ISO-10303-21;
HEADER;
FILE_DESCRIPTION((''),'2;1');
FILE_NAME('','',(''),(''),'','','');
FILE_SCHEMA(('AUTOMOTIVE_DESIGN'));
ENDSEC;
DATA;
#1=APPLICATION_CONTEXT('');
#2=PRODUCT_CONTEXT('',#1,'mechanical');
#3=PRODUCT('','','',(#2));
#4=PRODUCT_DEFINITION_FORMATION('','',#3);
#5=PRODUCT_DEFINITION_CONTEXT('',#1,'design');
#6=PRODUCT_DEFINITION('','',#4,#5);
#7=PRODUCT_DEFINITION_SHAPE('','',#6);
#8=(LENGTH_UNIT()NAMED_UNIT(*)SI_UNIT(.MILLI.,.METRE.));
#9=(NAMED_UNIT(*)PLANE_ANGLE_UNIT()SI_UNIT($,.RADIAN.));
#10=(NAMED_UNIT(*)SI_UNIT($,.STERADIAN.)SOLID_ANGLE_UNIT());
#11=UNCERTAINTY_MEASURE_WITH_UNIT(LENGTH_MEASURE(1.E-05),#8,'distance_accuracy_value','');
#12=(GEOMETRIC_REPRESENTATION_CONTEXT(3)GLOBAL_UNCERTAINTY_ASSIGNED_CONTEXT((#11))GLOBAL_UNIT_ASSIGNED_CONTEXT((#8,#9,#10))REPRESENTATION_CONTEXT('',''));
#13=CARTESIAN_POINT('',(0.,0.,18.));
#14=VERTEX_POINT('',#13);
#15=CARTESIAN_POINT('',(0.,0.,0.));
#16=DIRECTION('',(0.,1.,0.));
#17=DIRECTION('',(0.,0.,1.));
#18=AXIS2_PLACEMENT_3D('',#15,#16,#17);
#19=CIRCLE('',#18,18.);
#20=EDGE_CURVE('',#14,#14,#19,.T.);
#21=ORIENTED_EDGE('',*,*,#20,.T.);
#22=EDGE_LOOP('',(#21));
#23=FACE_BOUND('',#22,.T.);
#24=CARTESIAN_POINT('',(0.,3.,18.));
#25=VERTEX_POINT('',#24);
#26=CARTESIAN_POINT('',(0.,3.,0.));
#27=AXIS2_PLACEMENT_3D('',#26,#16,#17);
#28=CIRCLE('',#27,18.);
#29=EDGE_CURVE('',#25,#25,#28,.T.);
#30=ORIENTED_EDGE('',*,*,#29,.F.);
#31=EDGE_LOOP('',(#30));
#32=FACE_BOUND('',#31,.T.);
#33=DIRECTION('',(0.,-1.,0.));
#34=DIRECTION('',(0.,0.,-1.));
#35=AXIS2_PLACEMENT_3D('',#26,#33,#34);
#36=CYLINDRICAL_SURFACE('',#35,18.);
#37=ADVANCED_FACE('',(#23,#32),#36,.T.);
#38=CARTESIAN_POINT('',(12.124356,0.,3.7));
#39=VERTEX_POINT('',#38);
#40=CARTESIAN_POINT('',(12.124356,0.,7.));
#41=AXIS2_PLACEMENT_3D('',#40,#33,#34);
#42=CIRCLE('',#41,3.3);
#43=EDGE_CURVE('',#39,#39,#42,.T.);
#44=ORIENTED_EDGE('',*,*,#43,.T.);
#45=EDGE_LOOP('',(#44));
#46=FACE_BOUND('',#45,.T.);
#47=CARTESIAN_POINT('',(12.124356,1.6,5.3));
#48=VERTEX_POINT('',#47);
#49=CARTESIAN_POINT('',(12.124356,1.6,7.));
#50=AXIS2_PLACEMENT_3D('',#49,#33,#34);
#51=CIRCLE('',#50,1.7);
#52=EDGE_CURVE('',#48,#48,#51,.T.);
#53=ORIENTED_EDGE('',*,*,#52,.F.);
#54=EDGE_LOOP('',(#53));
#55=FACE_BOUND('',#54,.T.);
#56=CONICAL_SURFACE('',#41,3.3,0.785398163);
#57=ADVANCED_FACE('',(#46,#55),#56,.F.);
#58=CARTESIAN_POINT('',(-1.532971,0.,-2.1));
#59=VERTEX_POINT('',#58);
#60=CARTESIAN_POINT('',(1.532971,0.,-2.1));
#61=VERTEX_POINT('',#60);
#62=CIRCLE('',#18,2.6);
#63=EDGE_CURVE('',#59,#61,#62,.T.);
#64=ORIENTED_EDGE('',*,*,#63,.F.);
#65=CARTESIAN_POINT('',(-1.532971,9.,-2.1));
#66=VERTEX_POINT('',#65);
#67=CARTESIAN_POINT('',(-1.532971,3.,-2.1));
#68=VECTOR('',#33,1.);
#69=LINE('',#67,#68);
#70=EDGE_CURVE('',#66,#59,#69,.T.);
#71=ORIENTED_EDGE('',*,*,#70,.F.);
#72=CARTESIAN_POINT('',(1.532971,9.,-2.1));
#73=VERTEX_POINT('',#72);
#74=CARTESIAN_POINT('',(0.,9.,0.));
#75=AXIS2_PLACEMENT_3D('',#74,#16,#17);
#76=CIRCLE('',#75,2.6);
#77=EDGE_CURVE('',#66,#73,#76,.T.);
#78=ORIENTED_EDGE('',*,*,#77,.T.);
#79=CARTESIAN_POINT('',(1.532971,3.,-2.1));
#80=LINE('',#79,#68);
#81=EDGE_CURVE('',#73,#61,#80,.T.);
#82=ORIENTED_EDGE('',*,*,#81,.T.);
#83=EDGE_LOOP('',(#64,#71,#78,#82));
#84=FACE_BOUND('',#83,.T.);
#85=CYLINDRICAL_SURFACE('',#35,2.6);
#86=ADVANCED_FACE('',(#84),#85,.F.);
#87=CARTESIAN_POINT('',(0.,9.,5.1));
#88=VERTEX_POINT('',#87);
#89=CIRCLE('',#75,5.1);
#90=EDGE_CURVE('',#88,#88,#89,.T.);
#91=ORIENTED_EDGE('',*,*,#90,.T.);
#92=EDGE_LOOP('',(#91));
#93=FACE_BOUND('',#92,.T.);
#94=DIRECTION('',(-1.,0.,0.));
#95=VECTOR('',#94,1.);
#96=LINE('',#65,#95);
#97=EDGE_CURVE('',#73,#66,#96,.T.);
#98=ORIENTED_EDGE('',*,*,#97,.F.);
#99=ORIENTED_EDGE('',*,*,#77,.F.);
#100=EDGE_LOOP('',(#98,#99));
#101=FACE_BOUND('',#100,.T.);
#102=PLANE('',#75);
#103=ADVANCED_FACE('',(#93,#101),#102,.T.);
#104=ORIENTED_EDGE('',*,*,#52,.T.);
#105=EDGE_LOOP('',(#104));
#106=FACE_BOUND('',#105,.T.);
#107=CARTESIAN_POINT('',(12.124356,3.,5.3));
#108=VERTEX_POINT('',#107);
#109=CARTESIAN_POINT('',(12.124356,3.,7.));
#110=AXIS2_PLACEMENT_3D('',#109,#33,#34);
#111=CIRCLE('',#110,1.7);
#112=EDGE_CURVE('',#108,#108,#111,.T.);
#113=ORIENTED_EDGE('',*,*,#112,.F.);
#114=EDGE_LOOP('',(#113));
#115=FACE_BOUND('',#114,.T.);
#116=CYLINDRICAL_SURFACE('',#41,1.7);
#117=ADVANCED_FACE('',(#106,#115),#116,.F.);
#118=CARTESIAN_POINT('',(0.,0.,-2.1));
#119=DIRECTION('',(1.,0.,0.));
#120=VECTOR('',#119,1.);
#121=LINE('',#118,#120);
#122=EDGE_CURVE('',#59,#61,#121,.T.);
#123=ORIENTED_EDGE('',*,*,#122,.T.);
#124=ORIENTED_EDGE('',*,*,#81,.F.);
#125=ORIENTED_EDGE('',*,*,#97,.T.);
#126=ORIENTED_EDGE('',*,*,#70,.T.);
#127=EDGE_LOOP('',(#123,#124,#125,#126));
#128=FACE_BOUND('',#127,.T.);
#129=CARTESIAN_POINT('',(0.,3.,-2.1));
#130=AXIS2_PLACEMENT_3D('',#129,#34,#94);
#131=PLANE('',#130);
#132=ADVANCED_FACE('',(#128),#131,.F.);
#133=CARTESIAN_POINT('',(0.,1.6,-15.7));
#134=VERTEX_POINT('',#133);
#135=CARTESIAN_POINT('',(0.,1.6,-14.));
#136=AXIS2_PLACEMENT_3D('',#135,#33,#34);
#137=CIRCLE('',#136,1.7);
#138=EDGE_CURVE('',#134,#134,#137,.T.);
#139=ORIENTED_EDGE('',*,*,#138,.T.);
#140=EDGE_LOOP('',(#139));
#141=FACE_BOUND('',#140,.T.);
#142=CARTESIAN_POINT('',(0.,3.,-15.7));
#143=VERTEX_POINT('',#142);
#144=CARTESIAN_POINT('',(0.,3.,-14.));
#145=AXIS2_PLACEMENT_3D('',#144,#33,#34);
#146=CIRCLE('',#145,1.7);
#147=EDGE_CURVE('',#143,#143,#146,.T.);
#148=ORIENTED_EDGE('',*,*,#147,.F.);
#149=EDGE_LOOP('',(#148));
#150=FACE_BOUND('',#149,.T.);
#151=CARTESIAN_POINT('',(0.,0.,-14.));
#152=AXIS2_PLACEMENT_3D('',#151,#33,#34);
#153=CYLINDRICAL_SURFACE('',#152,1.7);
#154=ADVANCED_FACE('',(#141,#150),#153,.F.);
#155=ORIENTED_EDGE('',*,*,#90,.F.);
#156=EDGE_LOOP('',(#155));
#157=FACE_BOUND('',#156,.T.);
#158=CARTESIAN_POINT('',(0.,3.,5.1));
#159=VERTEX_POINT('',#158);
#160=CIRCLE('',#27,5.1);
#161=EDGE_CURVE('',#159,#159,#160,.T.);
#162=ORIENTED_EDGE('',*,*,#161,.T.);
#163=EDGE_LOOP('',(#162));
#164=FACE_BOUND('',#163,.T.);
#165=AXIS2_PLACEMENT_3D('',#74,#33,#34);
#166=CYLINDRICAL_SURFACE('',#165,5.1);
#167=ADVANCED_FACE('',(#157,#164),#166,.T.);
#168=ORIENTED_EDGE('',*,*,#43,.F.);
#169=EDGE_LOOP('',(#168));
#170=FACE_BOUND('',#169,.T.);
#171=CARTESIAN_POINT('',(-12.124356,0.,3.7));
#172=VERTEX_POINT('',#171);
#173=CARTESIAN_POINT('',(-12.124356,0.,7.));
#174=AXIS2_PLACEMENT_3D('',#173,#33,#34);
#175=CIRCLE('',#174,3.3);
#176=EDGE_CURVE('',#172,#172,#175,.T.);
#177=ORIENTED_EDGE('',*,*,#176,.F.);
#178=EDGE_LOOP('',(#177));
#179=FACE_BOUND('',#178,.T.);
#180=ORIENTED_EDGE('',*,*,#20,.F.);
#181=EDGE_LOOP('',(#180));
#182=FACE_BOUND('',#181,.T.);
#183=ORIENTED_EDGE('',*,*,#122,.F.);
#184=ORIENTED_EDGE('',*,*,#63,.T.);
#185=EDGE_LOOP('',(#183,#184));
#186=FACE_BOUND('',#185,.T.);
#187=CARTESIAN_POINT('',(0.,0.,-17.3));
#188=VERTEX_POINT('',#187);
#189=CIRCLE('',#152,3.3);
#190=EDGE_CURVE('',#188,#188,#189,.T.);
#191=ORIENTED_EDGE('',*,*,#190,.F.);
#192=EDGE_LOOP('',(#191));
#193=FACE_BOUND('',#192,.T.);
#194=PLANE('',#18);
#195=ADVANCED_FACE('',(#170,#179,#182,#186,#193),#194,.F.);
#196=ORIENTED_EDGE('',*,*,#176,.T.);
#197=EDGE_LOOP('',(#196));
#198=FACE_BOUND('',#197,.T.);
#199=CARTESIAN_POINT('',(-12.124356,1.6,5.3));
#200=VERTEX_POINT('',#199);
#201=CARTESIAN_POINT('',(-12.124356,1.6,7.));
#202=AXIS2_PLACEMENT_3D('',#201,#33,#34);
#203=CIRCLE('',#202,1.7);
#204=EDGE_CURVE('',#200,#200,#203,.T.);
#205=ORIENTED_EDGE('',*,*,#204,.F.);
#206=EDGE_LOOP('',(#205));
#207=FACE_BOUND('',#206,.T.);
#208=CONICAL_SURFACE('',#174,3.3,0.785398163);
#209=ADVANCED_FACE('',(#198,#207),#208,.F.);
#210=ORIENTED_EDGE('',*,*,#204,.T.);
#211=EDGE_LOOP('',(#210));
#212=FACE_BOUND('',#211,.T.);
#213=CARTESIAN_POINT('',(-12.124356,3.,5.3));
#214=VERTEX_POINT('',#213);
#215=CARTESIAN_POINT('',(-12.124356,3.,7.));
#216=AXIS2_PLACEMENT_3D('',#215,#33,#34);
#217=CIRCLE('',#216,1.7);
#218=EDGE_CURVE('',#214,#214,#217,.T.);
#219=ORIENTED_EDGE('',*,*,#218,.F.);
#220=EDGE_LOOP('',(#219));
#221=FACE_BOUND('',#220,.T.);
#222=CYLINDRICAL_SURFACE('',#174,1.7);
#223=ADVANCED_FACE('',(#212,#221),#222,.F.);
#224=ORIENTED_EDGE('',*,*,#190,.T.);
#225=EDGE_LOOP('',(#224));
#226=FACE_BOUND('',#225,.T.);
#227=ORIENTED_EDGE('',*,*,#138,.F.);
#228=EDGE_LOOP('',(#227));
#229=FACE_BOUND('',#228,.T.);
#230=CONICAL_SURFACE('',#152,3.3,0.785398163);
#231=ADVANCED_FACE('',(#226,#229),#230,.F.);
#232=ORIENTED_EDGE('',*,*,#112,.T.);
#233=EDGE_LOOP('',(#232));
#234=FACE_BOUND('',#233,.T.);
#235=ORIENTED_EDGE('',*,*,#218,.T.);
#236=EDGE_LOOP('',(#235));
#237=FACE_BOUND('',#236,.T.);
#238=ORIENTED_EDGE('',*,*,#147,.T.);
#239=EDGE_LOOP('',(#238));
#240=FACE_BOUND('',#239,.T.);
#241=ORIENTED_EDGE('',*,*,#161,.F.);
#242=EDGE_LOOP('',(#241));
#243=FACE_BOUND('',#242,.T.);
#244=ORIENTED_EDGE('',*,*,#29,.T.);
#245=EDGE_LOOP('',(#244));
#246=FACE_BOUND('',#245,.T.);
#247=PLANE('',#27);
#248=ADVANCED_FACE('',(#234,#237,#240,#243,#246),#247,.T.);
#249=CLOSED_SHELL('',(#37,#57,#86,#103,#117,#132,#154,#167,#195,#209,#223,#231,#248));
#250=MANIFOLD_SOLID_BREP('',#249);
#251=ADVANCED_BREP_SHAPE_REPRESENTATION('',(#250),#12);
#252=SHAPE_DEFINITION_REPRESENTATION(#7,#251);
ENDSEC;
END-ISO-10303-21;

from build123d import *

# Parameters (mm, degrees)
SKETCH_1_R               = 18
SKETCH_1_R_2             = 1.6
EXTRUDE_1_DEPTH          = 3
HOLE_WIZARD_2_AT_2_COUNT = 2
HOLE_WIZARD_2_AT_2_PITCH = 24.248711306
HOLE_WIZARD_2_AT_3_COUNT = 2
HOLE_WIZARD_2_AT_3_PITCH = 24.248711306
SKETCH_9_R               = 5.1
EXTRUDE_2_DEPTH          = 6


with BuildPart() as part:
    # 草图1 → 凸台-拉伸1 (new body)
    with BuildSketch(Plane(origin=(0, 0, 0), x_dir=(1, 0, 0), z_dir=(0, 1, 0))):
        with Locations(Location((0, 0, 0), (0, 0, 270))):
            Circle(SKETCH_1_R)
        with BuildLine():
            Line((-1.532970972, 2.1), (1.532970972, 2.1))
            ThreePointArc((1.532970972, 2.1), (0, -2.6), (-1.532970972, 2.1))
        make_face(mode=Mode.SUBTRACT)
        with Locations(Location((-12.124355653, -7, 0), (0, 0, 270))):
            Circle(SKETCH_1_R_2, mode=Mode.SUBTRACT)
        with Locations(Location((12.124355653, -7, 0), (0, 0, 270))):
            Circle(SKETCH_1_R_2, mode=Mode.SUBTRACT)
        with Locations(Location((0, 14, 0), (0, 0, 270))):
            Circle(SKETCH_1_R_2, mode=Mode.SUBTRACT)
    extrude(amount=EXTRUDE_1_DEPTH)

    # 草图8 → 打孔尺寸(%根据十字)槽沉头木螺钉的类型2 (revolve, cut)
    with BuildSketch(Plane(origin=(12.124355653, 0, 7), x_dir=(0, 0, -1), z_dir=(1, 0, 0))):
        Polygon((0, 0), (0, 3), (1.7, 3), (1.7, 1.6), (3.3, 0), align=None)
    hole_wizard_2 = revolve(axis=Axis((12.124355653, -6.35, 7), (0, 1, 0)), mode=Mode.SUBTRACT)

    # 打孔尺寸(%根据十字)槽沉头木螺钉的类型2 at 2: 打孔尺寸(%根据十字)槽沉头木螺钉的类型2 ×2
    with Locations(*[(-i * HOLE_WIZARD_2_AT_2_PITCH, 0, 0) for i in range(1, HOLE_WIZARD_2_AT_2_COUNT)]):
        add(hole_wizard_2, mode=Mode.SUBTRACT)

    # 打孔尺寸(%根据十字)槽沉头木螺钉的类型2 at 3: 打孔尺寸(%根据十字)槽沉头木螺钉的类型2 ×2
    with Locations(*[Vector(-0.5000000000000048, 0, -0.8660254037844359) * (i * HOLE_WIZARD_2_AT_3_PITCH) for i in range(1, HOLE_WIZARD_2_AT_3_COUNT)]):
        add(hole_wizard_2, mode=Mode.SUBTRACT)

    # 草图9 → 凸台-拉伸2 (add)
    with BuildSketch(Plane(origin=(0, 3, 0), x_dir=(1, 0, 0), z_dir=(0, 1, 0))):
        with Locations(Location((0, 0, 0), (0, 0, 270))):
            Circle(SKETCH_9_R)
        with BuildLine():
            Line((-1.532970972, 2.1), (1.532970972, 2.1))
            ThreePointArc((1.532970972, 2.1), (0, -2.6), (-1.532970972, 2.1))
        make_face(mode=Mode.SUBTRACT)
    extrude(amount=EXTRUDE_2_DEPTH)


solid = part.part
